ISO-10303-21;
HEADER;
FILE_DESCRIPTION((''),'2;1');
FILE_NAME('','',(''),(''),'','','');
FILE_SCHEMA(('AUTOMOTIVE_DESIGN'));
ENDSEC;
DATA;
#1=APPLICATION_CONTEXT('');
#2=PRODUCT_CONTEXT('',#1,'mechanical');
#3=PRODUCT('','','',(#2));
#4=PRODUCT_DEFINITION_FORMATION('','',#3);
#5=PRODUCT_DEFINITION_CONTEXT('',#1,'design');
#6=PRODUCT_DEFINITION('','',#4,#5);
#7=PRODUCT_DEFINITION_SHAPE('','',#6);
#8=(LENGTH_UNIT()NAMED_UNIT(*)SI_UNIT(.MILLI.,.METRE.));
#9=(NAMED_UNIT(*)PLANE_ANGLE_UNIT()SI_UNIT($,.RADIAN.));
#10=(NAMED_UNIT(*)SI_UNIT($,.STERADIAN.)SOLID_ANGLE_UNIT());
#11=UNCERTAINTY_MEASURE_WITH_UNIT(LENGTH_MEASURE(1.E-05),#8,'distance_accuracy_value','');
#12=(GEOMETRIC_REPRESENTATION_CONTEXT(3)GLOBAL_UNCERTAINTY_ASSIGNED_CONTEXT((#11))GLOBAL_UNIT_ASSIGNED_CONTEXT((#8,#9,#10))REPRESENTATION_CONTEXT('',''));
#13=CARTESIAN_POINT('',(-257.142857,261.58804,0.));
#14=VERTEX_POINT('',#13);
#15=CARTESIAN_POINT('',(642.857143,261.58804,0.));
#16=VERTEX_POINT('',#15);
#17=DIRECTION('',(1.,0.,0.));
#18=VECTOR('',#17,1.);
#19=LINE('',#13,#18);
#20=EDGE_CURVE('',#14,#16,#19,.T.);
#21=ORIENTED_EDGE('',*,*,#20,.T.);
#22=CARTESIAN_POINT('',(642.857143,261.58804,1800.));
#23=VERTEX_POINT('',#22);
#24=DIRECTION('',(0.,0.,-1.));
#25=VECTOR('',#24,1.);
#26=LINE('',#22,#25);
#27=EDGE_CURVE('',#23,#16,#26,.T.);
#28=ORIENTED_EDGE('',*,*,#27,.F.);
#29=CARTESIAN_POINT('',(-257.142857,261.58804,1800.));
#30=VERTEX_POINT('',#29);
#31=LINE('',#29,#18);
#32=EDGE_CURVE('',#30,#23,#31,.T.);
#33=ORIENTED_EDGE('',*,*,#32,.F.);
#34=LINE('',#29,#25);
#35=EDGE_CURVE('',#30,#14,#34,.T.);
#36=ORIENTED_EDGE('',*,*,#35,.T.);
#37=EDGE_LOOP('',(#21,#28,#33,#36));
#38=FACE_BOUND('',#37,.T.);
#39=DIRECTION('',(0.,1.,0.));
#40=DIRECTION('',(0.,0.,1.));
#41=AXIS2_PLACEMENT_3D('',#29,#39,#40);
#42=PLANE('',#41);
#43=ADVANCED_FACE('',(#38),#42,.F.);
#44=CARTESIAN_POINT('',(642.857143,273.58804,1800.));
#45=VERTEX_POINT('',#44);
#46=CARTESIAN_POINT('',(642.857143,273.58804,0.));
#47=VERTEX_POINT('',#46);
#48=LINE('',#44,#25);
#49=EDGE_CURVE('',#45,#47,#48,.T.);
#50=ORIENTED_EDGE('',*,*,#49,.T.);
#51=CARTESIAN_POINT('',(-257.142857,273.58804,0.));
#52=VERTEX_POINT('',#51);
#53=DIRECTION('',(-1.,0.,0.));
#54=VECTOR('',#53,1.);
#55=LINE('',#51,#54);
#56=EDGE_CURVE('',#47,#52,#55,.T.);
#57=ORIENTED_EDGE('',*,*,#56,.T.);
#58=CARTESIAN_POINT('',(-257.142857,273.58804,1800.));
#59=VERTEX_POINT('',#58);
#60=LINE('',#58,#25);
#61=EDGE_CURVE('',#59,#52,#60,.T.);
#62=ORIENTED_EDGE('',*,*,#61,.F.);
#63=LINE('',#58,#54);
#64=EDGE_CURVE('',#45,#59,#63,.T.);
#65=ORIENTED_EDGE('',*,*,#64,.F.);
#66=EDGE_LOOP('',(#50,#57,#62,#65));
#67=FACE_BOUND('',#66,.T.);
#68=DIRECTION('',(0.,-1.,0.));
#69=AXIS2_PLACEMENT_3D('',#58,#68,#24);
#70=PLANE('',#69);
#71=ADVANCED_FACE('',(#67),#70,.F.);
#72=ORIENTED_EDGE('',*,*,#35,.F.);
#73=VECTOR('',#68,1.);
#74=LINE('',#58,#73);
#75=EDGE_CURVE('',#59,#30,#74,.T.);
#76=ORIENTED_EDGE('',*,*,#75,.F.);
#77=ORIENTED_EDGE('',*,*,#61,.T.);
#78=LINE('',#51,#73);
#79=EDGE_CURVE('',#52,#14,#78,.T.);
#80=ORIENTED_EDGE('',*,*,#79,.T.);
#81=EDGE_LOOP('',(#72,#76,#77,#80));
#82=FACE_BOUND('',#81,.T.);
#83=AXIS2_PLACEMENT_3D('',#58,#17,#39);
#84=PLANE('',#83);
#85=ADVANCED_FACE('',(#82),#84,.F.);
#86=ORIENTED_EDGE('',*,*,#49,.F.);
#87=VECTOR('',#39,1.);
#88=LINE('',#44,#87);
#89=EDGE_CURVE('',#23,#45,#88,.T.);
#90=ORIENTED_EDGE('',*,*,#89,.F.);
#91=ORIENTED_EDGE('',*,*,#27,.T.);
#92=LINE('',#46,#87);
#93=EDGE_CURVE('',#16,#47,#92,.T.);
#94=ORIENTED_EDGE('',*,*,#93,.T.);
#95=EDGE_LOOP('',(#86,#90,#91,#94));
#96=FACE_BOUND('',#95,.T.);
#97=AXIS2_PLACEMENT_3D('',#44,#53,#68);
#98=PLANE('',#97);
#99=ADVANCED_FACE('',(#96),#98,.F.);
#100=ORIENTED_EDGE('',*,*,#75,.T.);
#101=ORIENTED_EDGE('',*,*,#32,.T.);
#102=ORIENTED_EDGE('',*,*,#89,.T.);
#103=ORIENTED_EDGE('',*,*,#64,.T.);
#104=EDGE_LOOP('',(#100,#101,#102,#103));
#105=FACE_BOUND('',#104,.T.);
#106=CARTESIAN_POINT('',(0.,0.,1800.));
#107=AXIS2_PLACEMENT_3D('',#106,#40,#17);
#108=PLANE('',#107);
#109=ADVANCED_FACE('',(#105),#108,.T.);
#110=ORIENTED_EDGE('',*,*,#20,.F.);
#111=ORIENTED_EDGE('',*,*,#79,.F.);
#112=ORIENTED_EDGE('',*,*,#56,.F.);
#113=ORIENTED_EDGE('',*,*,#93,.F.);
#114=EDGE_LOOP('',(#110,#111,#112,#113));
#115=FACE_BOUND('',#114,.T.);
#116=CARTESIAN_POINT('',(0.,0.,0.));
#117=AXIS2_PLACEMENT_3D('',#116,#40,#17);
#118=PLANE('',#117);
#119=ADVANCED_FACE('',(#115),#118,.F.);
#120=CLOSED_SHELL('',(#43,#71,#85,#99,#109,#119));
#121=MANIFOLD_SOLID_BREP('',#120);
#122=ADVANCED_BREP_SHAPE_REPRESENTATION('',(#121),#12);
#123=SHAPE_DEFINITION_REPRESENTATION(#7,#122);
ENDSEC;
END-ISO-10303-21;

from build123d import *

# Parameters (mm, degrees)
SKETCH_1_W      = 900
SKETCH_1_H      = 12
EXTRUDE_1_DEPTH = 1800


with BuildPart() as part:
    # ｽｹｯﾁ1 → ﾎﾞｽ - 押し出し1 (new body)
    with BuildSketch(Plane.XY):
        with Locations((192.857142857, 267.588039867)):
            Rectangle(SKETCH_1_W, SKETCH_1_H)
    extrude(amount=EXTRUDE_1_DEPTH)


solid = part.part
